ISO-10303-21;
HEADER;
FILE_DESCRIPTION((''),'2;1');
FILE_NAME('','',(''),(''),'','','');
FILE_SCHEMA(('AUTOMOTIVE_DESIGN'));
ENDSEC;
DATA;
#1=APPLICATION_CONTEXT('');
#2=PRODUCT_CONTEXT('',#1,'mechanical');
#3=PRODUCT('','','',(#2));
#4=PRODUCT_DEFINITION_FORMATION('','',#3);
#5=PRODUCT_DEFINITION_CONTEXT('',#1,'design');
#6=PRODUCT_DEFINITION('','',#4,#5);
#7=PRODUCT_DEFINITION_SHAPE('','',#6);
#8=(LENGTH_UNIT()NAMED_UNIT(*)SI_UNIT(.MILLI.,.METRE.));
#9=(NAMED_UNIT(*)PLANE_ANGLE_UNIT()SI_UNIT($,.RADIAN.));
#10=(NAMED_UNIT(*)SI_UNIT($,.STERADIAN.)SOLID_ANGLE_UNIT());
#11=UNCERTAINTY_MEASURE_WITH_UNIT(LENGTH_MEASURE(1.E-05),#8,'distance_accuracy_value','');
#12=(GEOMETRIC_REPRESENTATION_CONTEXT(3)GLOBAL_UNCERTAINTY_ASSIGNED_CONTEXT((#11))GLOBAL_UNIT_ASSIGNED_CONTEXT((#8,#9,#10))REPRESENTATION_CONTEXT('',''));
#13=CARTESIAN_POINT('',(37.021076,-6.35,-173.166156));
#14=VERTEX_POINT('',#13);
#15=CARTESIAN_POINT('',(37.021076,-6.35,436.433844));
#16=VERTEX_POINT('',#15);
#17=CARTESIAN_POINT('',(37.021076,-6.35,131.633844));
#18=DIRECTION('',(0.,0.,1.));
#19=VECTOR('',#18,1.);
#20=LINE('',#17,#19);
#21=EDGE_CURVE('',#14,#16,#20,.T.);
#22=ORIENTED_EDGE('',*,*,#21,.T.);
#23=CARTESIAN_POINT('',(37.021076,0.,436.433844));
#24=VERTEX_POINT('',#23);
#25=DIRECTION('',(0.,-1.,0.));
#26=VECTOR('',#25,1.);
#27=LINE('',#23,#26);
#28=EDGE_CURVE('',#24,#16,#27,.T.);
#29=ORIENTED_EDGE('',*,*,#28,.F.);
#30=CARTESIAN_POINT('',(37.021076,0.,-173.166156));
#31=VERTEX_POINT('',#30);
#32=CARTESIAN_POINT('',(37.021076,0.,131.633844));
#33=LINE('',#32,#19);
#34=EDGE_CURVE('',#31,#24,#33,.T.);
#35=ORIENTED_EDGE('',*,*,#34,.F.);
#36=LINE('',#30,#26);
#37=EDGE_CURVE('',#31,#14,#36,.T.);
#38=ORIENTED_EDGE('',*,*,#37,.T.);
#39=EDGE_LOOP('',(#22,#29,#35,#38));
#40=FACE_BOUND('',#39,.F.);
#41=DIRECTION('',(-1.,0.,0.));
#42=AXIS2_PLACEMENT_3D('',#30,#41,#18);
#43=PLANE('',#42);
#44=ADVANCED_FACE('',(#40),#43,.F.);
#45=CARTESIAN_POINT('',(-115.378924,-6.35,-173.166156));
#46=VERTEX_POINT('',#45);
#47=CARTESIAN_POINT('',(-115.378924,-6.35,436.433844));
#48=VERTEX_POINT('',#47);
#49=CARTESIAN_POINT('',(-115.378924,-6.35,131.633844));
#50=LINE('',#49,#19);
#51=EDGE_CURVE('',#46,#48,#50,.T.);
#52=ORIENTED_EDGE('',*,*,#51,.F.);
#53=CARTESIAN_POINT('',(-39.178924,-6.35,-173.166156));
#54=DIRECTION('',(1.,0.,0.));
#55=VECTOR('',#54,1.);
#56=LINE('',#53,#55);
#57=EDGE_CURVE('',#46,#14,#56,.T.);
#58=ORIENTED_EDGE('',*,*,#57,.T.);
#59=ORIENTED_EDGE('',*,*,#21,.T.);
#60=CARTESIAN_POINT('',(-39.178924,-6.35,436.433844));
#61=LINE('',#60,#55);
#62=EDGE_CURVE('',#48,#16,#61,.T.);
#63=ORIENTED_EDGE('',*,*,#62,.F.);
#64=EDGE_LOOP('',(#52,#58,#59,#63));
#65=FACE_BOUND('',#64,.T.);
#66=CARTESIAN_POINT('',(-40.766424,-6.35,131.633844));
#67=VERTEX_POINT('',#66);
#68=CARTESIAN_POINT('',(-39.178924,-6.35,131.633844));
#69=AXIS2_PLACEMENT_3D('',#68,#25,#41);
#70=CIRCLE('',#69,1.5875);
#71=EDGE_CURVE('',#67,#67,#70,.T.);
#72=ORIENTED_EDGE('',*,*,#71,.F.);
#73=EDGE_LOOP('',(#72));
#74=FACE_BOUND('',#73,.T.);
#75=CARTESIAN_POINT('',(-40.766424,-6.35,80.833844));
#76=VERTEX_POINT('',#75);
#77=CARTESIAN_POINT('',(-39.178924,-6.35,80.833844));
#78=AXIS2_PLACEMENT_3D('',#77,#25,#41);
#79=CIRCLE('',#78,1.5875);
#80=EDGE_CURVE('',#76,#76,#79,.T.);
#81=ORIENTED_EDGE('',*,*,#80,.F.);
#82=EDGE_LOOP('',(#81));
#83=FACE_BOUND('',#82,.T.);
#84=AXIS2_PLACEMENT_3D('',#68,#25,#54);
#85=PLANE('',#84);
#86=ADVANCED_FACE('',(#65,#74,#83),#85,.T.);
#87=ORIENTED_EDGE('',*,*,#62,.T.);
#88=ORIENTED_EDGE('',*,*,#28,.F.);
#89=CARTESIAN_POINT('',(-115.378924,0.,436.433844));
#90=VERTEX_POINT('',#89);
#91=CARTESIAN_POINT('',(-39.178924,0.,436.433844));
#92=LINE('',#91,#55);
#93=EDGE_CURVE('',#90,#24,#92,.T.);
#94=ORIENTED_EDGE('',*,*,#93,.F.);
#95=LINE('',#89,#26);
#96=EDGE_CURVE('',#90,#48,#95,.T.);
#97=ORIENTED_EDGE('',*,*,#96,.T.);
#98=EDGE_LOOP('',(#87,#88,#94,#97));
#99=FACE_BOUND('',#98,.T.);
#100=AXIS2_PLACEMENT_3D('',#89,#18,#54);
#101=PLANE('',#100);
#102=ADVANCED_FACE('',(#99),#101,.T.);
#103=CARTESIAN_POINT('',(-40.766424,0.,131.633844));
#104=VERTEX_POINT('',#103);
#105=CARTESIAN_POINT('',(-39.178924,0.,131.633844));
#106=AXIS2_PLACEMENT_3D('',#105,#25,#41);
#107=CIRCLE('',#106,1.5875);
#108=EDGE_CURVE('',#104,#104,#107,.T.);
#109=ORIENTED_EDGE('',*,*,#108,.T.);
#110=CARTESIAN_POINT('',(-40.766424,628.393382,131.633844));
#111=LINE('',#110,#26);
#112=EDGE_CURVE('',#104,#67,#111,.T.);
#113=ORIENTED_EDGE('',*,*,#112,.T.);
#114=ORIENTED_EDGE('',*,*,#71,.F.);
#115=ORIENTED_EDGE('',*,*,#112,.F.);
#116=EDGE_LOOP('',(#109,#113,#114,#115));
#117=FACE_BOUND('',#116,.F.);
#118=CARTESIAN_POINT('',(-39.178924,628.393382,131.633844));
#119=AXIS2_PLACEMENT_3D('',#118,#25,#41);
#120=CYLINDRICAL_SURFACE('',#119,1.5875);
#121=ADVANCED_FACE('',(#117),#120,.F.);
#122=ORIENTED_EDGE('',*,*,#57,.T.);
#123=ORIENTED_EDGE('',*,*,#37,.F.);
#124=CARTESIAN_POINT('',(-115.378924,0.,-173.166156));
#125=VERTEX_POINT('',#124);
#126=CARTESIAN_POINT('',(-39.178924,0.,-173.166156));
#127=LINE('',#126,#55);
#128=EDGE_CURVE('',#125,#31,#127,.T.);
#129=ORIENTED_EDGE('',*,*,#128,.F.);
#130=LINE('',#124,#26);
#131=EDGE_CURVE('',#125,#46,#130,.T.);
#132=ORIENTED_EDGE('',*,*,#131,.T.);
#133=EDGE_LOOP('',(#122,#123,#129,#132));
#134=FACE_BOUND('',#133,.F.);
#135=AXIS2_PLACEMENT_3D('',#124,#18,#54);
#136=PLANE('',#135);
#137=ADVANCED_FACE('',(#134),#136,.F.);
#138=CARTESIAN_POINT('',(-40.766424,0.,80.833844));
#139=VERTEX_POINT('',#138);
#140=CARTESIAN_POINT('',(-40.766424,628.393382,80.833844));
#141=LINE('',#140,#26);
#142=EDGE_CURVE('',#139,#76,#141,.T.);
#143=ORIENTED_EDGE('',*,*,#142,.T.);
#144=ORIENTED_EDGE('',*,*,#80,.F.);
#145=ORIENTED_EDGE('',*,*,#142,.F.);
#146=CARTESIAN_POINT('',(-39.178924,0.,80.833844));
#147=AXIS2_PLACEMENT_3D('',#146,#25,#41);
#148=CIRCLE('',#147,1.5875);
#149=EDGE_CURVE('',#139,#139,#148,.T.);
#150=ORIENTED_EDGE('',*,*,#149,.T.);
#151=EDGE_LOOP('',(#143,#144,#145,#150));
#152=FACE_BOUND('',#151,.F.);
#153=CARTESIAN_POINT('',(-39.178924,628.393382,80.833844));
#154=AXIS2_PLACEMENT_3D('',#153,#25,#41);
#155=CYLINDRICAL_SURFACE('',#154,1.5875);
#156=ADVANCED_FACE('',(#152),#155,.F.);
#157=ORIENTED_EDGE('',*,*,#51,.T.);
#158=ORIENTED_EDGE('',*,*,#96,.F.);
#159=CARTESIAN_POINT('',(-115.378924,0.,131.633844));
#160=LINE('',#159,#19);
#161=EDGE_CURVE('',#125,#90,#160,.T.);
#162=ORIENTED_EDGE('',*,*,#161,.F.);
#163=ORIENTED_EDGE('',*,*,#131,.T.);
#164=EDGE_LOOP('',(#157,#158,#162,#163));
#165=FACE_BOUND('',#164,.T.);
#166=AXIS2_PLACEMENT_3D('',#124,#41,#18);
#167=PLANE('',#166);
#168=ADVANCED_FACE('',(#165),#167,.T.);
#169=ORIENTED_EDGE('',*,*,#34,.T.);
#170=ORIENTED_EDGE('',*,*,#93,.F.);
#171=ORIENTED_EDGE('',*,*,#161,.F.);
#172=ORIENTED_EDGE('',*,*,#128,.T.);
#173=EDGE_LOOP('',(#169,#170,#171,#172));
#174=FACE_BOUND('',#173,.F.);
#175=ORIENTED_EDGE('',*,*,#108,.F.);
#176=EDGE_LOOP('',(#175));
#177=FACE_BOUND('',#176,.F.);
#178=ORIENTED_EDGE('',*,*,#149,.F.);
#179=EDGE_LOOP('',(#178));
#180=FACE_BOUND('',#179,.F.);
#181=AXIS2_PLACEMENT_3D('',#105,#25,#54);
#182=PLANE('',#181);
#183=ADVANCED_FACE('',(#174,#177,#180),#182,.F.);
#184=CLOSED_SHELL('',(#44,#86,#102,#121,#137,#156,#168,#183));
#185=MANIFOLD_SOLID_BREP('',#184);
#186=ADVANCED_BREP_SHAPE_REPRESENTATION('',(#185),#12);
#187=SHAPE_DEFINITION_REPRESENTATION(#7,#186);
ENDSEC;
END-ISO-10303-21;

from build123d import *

# Parameters (mm, degrees)
F0_W     = 152.4
F0_H     = 609.6
F1_DEPTH = 6.35
F2_D     = 3.175


with BuildPart() as f1:
    # F0 (on Front) → F1 (new body)
    with BuildSketch(Plane.XZ):
        with Locations((-39.1789237037, 131.6338440617)):
            Rectangle(F0_W, F0_H)
    extrude(amount=F1_DEPTH)

    # F2 (through all)
    with Locations(Plane(origin=(0, 0, 0), x_dir=(1, 0, 0), z_dir=(0, 1, 0))):
        with Locations((-39.1789237037, -131.6338440617), (-39.1789237037, -80.8338440617)):
            Hole(F2_D / 2)


solid = f1.part
